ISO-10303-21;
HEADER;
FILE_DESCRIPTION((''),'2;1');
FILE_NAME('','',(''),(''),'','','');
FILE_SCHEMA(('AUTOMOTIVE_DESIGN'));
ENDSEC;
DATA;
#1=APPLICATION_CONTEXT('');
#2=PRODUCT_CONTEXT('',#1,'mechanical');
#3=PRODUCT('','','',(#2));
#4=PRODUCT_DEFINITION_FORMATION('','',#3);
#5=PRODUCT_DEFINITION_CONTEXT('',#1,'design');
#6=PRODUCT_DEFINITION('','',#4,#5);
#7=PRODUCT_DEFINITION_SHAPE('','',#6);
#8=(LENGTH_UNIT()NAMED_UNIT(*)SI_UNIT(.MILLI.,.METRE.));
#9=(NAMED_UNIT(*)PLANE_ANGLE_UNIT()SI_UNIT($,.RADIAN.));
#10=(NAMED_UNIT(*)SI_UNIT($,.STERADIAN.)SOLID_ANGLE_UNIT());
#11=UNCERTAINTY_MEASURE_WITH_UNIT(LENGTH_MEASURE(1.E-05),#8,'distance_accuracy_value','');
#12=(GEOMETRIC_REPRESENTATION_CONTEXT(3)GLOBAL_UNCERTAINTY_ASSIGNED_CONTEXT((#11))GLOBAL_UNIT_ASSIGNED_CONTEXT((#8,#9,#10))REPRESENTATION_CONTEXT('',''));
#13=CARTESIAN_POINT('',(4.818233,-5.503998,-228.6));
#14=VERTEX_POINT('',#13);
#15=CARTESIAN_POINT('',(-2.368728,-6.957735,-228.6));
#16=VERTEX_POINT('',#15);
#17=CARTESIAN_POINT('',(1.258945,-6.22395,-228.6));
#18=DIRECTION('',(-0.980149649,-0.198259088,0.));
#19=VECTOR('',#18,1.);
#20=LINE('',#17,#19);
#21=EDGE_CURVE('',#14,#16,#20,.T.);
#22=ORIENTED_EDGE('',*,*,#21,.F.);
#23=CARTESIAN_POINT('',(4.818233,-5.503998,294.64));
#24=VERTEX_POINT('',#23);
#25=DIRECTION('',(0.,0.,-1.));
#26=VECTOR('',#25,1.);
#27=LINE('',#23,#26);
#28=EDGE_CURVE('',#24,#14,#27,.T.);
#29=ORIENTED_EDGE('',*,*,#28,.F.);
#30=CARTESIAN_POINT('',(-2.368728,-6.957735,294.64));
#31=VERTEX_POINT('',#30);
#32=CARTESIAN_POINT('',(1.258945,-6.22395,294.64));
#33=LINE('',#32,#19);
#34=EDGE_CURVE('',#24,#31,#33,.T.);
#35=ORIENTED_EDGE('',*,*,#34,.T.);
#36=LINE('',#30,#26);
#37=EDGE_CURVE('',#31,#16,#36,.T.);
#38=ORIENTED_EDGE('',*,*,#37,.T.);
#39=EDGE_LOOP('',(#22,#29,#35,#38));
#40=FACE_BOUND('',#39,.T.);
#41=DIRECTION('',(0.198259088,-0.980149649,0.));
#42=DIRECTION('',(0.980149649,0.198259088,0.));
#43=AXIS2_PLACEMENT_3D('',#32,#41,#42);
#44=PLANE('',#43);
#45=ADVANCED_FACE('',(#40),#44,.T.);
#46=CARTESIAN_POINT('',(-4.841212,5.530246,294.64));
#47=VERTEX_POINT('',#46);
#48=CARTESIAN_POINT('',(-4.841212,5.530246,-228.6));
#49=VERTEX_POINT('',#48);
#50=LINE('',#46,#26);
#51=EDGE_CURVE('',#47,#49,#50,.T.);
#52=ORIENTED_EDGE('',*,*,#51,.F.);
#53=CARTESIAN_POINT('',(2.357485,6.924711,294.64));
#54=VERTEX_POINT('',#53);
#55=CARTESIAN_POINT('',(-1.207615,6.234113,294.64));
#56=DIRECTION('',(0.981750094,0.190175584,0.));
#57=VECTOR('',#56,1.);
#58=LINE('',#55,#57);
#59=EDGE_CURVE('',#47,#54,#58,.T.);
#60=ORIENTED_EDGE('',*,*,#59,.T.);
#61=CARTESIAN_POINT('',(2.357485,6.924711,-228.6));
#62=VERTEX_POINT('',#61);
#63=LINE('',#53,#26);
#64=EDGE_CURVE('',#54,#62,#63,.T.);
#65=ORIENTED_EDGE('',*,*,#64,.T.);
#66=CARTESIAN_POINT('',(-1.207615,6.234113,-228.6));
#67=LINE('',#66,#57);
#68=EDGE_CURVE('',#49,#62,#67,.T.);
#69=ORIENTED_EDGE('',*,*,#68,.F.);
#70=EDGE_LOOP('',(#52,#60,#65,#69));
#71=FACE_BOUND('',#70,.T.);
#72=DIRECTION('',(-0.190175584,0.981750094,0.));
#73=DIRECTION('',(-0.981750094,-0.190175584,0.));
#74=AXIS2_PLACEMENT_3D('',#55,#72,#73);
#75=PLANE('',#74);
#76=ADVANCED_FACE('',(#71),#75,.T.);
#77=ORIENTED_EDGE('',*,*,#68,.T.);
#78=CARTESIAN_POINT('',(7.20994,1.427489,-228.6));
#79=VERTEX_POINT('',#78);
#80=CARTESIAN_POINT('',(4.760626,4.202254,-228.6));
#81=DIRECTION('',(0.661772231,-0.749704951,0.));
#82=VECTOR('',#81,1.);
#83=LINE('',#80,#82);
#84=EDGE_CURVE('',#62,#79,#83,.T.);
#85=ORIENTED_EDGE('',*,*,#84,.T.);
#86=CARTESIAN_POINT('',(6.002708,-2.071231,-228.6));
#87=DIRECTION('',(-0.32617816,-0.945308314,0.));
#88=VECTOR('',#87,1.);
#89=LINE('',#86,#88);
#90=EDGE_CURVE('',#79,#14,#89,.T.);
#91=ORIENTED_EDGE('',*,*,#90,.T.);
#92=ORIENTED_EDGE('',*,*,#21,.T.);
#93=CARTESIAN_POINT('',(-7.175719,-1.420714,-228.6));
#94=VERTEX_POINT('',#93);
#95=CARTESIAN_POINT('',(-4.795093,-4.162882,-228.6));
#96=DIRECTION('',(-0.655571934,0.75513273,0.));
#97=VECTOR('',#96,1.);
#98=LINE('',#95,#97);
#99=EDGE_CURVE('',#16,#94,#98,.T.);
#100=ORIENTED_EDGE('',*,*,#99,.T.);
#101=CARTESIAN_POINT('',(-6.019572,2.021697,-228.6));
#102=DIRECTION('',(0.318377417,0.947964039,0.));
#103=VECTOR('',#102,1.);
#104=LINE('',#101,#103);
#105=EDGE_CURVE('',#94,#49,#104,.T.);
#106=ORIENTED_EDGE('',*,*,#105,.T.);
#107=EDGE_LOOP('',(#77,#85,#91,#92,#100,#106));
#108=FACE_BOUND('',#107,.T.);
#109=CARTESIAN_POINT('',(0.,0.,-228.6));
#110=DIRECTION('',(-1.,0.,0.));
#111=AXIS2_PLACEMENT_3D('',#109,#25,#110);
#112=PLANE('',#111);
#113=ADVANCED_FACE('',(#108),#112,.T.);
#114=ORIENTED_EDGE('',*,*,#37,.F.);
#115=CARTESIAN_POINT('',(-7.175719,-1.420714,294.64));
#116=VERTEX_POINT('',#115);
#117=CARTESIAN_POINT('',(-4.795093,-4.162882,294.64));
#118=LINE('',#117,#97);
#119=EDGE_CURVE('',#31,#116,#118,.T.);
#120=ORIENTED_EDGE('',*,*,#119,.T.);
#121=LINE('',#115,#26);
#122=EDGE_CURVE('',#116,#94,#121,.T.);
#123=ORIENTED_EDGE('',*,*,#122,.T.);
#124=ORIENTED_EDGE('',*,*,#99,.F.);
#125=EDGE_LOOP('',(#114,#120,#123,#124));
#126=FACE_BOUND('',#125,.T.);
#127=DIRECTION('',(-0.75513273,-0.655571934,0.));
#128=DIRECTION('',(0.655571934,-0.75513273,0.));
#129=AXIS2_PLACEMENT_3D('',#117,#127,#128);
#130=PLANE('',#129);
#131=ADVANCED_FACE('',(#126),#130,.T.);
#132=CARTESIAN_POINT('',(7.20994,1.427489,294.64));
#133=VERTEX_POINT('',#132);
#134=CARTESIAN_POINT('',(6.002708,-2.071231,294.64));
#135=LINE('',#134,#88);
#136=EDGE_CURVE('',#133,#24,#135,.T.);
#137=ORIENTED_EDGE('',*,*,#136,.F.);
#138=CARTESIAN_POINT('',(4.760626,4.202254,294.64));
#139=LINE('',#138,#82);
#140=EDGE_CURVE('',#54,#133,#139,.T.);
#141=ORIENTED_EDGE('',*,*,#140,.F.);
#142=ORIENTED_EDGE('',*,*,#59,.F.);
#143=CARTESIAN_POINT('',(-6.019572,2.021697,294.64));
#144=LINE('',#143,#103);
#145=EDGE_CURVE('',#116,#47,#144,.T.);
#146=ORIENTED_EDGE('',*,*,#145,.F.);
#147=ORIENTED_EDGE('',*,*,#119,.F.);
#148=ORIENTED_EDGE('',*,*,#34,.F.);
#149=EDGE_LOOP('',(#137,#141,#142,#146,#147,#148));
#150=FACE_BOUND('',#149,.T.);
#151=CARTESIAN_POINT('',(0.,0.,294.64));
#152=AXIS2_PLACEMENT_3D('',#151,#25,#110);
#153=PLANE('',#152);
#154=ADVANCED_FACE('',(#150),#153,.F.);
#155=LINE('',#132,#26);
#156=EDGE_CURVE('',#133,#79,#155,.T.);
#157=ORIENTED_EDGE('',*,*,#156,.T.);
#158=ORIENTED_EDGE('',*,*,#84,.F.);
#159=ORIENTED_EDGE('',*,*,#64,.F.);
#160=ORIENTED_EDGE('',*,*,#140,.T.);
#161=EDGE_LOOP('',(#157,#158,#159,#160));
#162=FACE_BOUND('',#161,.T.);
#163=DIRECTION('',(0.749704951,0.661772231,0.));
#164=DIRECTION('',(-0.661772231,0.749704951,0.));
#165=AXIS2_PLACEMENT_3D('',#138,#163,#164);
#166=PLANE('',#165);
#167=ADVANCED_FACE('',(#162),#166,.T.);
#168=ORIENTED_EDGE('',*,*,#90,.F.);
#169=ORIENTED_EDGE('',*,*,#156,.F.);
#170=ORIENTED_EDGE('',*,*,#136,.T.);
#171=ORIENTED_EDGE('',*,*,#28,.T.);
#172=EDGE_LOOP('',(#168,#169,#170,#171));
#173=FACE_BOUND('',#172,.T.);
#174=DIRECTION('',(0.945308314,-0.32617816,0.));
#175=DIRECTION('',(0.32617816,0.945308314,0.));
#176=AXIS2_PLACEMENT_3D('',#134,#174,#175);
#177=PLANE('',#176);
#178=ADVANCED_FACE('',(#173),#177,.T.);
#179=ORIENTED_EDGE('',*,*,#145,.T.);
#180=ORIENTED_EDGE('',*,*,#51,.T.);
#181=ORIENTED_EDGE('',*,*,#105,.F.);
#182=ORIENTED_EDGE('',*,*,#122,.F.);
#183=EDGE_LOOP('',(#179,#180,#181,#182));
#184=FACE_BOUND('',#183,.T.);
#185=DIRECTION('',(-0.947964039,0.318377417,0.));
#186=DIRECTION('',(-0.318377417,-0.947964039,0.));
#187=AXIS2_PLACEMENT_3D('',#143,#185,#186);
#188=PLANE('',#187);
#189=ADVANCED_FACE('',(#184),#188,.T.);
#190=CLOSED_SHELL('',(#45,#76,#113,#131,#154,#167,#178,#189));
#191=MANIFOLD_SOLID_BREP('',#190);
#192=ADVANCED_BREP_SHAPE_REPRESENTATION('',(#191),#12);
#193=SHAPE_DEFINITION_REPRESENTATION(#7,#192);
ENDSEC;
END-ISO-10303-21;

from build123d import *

# Parameters (mm, degrees)
BOSS_EXTRUDE1_DEPTH = 523.24


with BuildPart() as part:
    # Sketch1 → Boss-Extrude1 (new body)
    with BuildSketch(Plane(origin=(0, 0, -228.6), x_dir=(-1, 0, 0), z_dir=(0, 0, -1))):
        Polygon((-2.35748511, 6.924711439), (-7.209939519, 1.427489097), (-4.818233465, -5.503997714), (2.368727938, -6.957735332), (7.175718575, -1.420713725), (4.841211581, 5.530246234), align=None)
    extrude(amount=-BOSS_EXTRUDE1_DEPTH)


solid = part.part
